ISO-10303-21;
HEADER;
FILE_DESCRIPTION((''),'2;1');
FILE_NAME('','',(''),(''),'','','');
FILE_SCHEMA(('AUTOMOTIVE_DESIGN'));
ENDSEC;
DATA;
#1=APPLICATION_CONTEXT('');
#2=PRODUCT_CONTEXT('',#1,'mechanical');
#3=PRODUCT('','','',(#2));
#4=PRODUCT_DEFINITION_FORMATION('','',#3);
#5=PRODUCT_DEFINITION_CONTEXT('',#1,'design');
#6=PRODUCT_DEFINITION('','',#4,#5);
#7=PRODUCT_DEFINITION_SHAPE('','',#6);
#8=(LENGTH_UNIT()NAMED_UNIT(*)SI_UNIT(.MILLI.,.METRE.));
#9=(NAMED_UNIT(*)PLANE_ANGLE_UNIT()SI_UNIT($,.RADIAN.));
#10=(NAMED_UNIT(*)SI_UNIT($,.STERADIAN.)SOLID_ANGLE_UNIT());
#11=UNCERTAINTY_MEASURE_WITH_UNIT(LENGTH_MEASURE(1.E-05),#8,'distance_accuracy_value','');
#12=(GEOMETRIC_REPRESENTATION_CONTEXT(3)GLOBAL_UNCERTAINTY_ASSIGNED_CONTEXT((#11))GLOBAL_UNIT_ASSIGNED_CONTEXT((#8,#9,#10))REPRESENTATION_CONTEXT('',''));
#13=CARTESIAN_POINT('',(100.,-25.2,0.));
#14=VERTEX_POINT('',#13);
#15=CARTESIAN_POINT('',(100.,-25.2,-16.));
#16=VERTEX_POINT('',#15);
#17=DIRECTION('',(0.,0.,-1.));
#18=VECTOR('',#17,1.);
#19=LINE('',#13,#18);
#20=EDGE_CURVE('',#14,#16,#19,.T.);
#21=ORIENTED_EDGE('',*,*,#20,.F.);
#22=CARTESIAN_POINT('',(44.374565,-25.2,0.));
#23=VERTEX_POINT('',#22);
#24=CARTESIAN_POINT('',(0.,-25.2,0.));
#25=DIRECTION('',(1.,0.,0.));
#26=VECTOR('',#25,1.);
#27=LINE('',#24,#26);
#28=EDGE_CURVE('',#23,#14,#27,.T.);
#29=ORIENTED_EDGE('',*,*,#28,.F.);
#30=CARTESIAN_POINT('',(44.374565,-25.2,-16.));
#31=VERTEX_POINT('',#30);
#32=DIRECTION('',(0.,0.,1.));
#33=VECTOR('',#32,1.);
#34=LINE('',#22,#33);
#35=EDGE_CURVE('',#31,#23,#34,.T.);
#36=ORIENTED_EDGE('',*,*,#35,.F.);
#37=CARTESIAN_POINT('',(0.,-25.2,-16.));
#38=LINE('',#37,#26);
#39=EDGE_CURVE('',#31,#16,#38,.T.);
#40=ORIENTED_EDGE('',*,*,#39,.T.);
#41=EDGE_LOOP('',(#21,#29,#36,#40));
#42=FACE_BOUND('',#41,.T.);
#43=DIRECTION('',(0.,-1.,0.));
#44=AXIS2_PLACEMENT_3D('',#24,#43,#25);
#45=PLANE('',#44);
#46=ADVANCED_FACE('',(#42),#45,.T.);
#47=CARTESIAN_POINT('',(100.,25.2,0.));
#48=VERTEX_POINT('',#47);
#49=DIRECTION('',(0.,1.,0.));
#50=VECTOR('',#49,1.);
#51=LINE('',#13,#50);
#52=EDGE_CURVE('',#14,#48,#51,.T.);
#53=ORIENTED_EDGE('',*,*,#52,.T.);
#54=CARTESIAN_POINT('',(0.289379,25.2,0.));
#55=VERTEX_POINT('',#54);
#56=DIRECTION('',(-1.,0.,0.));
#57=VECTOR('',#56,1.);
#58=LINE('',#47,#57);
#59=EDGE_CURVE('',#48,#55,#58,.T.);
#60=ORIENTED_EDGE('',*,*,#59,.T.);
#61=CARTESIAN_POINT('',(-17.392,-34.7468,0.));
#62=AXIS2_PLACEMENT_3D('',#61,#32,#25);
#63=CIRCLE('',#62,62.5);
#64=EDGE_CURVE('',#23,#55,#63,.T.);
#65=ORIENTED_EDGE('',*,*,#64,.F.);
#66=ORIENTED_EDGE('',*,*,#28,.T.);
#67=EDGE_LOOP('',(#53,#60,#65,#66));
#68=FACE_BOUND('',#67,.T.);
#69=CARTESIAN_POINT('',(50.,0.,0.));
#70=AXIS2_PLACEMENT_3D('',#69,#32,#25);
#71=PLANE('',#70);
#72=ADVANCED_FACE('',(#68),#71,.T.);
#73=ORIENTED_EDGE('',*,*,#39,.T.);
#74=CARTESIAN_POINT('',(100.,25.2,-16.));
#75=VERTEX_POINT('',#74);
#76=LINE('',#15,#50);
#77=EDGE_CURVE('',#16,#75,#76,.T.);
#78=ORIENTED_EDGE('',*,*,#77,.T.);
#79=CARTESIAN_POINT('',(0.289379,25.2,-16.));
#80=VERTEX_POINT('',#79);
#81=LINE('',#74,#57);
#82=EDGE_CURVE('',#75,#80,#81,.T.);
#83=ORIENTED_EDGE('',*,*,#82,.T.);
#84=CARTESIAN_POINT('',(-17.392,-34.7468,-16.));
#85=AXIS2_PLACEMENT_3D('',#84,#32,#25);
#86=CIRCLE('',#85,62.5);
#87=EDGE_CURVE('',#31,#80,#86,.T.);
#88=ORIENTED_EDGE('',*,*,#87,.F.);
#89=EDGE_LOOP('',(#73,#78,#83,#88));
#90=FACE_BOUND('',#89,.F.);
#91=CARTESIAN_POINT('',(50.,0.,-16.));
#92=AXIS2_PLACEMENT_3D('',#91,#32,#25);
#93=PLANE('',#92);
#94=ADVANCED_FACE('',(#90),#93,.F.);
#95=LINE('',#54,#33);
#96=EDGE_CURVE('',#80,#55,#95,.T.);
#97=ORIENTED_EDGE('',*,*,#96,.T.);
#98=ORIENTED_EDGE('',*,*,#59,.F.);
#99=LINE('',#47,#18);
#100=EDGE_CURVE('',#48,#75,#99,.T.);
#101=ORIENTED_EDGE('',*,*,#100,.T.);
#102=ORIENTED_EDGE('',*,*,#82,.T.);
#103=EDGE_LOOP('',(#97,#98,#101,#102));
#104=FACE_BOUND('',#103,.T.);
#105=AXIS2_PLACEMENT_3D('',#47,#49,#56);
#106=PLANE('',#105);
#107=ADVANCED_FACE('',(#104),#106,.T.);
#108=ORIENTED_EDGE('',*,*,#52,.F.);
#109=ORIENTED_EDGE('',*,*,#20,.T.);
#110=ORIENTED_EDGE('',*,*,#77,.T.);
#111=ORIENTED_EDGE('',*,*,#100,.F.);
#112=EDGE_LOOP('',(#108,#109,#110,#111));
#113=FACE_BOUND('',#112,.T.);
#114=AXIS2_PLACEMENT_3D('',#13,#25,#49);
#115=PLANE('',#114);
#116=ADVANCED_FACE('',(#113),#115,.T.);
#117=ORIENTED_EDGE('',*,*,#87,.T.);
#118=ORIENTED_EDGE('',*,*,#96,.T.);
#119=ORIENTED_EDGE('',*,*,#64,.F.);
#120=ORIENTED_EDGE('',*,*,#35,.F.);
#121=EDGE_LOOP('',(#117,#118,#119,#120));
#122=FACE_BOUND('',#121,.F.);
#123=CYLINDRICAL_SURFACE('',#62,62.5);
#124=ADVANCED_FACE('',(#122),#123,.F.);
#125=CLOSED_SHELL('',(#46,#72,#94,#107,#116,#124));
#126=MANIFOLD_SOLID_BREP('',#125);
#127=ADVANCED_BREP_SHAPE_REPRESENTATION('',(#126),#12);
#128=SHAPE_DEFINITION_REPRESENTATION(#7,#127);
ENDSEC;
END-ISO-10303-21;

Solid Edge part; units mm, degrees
sketch "Sketch1" plane through (0, 0, 0) normal (0, 0, 1) x (1, 0, 0)
  line L0 (0, 0) -> (0, -25.2)
  line L1 (0, -25.2) -> (100, -25.2)
  line L2 (100, -25.2) -> (100, 25.2)
  line L3 (100, 25.2) -> (0, 25.2)
  line L4 (0, 25.2) -> (0, 0)
extrude "Protrusion1" add sketch "Sketch1" against normal blind 16
sketch "Sketch2" plane through (50, 0, 0) normal (0, 0, 1) x (1, 0, 0)
  circle A0 centre (-67.392, -34.7468) radius 62.5
extrude "Recorte_Extrudado_2" cut sketch "Sketch2" against normal blind 16
